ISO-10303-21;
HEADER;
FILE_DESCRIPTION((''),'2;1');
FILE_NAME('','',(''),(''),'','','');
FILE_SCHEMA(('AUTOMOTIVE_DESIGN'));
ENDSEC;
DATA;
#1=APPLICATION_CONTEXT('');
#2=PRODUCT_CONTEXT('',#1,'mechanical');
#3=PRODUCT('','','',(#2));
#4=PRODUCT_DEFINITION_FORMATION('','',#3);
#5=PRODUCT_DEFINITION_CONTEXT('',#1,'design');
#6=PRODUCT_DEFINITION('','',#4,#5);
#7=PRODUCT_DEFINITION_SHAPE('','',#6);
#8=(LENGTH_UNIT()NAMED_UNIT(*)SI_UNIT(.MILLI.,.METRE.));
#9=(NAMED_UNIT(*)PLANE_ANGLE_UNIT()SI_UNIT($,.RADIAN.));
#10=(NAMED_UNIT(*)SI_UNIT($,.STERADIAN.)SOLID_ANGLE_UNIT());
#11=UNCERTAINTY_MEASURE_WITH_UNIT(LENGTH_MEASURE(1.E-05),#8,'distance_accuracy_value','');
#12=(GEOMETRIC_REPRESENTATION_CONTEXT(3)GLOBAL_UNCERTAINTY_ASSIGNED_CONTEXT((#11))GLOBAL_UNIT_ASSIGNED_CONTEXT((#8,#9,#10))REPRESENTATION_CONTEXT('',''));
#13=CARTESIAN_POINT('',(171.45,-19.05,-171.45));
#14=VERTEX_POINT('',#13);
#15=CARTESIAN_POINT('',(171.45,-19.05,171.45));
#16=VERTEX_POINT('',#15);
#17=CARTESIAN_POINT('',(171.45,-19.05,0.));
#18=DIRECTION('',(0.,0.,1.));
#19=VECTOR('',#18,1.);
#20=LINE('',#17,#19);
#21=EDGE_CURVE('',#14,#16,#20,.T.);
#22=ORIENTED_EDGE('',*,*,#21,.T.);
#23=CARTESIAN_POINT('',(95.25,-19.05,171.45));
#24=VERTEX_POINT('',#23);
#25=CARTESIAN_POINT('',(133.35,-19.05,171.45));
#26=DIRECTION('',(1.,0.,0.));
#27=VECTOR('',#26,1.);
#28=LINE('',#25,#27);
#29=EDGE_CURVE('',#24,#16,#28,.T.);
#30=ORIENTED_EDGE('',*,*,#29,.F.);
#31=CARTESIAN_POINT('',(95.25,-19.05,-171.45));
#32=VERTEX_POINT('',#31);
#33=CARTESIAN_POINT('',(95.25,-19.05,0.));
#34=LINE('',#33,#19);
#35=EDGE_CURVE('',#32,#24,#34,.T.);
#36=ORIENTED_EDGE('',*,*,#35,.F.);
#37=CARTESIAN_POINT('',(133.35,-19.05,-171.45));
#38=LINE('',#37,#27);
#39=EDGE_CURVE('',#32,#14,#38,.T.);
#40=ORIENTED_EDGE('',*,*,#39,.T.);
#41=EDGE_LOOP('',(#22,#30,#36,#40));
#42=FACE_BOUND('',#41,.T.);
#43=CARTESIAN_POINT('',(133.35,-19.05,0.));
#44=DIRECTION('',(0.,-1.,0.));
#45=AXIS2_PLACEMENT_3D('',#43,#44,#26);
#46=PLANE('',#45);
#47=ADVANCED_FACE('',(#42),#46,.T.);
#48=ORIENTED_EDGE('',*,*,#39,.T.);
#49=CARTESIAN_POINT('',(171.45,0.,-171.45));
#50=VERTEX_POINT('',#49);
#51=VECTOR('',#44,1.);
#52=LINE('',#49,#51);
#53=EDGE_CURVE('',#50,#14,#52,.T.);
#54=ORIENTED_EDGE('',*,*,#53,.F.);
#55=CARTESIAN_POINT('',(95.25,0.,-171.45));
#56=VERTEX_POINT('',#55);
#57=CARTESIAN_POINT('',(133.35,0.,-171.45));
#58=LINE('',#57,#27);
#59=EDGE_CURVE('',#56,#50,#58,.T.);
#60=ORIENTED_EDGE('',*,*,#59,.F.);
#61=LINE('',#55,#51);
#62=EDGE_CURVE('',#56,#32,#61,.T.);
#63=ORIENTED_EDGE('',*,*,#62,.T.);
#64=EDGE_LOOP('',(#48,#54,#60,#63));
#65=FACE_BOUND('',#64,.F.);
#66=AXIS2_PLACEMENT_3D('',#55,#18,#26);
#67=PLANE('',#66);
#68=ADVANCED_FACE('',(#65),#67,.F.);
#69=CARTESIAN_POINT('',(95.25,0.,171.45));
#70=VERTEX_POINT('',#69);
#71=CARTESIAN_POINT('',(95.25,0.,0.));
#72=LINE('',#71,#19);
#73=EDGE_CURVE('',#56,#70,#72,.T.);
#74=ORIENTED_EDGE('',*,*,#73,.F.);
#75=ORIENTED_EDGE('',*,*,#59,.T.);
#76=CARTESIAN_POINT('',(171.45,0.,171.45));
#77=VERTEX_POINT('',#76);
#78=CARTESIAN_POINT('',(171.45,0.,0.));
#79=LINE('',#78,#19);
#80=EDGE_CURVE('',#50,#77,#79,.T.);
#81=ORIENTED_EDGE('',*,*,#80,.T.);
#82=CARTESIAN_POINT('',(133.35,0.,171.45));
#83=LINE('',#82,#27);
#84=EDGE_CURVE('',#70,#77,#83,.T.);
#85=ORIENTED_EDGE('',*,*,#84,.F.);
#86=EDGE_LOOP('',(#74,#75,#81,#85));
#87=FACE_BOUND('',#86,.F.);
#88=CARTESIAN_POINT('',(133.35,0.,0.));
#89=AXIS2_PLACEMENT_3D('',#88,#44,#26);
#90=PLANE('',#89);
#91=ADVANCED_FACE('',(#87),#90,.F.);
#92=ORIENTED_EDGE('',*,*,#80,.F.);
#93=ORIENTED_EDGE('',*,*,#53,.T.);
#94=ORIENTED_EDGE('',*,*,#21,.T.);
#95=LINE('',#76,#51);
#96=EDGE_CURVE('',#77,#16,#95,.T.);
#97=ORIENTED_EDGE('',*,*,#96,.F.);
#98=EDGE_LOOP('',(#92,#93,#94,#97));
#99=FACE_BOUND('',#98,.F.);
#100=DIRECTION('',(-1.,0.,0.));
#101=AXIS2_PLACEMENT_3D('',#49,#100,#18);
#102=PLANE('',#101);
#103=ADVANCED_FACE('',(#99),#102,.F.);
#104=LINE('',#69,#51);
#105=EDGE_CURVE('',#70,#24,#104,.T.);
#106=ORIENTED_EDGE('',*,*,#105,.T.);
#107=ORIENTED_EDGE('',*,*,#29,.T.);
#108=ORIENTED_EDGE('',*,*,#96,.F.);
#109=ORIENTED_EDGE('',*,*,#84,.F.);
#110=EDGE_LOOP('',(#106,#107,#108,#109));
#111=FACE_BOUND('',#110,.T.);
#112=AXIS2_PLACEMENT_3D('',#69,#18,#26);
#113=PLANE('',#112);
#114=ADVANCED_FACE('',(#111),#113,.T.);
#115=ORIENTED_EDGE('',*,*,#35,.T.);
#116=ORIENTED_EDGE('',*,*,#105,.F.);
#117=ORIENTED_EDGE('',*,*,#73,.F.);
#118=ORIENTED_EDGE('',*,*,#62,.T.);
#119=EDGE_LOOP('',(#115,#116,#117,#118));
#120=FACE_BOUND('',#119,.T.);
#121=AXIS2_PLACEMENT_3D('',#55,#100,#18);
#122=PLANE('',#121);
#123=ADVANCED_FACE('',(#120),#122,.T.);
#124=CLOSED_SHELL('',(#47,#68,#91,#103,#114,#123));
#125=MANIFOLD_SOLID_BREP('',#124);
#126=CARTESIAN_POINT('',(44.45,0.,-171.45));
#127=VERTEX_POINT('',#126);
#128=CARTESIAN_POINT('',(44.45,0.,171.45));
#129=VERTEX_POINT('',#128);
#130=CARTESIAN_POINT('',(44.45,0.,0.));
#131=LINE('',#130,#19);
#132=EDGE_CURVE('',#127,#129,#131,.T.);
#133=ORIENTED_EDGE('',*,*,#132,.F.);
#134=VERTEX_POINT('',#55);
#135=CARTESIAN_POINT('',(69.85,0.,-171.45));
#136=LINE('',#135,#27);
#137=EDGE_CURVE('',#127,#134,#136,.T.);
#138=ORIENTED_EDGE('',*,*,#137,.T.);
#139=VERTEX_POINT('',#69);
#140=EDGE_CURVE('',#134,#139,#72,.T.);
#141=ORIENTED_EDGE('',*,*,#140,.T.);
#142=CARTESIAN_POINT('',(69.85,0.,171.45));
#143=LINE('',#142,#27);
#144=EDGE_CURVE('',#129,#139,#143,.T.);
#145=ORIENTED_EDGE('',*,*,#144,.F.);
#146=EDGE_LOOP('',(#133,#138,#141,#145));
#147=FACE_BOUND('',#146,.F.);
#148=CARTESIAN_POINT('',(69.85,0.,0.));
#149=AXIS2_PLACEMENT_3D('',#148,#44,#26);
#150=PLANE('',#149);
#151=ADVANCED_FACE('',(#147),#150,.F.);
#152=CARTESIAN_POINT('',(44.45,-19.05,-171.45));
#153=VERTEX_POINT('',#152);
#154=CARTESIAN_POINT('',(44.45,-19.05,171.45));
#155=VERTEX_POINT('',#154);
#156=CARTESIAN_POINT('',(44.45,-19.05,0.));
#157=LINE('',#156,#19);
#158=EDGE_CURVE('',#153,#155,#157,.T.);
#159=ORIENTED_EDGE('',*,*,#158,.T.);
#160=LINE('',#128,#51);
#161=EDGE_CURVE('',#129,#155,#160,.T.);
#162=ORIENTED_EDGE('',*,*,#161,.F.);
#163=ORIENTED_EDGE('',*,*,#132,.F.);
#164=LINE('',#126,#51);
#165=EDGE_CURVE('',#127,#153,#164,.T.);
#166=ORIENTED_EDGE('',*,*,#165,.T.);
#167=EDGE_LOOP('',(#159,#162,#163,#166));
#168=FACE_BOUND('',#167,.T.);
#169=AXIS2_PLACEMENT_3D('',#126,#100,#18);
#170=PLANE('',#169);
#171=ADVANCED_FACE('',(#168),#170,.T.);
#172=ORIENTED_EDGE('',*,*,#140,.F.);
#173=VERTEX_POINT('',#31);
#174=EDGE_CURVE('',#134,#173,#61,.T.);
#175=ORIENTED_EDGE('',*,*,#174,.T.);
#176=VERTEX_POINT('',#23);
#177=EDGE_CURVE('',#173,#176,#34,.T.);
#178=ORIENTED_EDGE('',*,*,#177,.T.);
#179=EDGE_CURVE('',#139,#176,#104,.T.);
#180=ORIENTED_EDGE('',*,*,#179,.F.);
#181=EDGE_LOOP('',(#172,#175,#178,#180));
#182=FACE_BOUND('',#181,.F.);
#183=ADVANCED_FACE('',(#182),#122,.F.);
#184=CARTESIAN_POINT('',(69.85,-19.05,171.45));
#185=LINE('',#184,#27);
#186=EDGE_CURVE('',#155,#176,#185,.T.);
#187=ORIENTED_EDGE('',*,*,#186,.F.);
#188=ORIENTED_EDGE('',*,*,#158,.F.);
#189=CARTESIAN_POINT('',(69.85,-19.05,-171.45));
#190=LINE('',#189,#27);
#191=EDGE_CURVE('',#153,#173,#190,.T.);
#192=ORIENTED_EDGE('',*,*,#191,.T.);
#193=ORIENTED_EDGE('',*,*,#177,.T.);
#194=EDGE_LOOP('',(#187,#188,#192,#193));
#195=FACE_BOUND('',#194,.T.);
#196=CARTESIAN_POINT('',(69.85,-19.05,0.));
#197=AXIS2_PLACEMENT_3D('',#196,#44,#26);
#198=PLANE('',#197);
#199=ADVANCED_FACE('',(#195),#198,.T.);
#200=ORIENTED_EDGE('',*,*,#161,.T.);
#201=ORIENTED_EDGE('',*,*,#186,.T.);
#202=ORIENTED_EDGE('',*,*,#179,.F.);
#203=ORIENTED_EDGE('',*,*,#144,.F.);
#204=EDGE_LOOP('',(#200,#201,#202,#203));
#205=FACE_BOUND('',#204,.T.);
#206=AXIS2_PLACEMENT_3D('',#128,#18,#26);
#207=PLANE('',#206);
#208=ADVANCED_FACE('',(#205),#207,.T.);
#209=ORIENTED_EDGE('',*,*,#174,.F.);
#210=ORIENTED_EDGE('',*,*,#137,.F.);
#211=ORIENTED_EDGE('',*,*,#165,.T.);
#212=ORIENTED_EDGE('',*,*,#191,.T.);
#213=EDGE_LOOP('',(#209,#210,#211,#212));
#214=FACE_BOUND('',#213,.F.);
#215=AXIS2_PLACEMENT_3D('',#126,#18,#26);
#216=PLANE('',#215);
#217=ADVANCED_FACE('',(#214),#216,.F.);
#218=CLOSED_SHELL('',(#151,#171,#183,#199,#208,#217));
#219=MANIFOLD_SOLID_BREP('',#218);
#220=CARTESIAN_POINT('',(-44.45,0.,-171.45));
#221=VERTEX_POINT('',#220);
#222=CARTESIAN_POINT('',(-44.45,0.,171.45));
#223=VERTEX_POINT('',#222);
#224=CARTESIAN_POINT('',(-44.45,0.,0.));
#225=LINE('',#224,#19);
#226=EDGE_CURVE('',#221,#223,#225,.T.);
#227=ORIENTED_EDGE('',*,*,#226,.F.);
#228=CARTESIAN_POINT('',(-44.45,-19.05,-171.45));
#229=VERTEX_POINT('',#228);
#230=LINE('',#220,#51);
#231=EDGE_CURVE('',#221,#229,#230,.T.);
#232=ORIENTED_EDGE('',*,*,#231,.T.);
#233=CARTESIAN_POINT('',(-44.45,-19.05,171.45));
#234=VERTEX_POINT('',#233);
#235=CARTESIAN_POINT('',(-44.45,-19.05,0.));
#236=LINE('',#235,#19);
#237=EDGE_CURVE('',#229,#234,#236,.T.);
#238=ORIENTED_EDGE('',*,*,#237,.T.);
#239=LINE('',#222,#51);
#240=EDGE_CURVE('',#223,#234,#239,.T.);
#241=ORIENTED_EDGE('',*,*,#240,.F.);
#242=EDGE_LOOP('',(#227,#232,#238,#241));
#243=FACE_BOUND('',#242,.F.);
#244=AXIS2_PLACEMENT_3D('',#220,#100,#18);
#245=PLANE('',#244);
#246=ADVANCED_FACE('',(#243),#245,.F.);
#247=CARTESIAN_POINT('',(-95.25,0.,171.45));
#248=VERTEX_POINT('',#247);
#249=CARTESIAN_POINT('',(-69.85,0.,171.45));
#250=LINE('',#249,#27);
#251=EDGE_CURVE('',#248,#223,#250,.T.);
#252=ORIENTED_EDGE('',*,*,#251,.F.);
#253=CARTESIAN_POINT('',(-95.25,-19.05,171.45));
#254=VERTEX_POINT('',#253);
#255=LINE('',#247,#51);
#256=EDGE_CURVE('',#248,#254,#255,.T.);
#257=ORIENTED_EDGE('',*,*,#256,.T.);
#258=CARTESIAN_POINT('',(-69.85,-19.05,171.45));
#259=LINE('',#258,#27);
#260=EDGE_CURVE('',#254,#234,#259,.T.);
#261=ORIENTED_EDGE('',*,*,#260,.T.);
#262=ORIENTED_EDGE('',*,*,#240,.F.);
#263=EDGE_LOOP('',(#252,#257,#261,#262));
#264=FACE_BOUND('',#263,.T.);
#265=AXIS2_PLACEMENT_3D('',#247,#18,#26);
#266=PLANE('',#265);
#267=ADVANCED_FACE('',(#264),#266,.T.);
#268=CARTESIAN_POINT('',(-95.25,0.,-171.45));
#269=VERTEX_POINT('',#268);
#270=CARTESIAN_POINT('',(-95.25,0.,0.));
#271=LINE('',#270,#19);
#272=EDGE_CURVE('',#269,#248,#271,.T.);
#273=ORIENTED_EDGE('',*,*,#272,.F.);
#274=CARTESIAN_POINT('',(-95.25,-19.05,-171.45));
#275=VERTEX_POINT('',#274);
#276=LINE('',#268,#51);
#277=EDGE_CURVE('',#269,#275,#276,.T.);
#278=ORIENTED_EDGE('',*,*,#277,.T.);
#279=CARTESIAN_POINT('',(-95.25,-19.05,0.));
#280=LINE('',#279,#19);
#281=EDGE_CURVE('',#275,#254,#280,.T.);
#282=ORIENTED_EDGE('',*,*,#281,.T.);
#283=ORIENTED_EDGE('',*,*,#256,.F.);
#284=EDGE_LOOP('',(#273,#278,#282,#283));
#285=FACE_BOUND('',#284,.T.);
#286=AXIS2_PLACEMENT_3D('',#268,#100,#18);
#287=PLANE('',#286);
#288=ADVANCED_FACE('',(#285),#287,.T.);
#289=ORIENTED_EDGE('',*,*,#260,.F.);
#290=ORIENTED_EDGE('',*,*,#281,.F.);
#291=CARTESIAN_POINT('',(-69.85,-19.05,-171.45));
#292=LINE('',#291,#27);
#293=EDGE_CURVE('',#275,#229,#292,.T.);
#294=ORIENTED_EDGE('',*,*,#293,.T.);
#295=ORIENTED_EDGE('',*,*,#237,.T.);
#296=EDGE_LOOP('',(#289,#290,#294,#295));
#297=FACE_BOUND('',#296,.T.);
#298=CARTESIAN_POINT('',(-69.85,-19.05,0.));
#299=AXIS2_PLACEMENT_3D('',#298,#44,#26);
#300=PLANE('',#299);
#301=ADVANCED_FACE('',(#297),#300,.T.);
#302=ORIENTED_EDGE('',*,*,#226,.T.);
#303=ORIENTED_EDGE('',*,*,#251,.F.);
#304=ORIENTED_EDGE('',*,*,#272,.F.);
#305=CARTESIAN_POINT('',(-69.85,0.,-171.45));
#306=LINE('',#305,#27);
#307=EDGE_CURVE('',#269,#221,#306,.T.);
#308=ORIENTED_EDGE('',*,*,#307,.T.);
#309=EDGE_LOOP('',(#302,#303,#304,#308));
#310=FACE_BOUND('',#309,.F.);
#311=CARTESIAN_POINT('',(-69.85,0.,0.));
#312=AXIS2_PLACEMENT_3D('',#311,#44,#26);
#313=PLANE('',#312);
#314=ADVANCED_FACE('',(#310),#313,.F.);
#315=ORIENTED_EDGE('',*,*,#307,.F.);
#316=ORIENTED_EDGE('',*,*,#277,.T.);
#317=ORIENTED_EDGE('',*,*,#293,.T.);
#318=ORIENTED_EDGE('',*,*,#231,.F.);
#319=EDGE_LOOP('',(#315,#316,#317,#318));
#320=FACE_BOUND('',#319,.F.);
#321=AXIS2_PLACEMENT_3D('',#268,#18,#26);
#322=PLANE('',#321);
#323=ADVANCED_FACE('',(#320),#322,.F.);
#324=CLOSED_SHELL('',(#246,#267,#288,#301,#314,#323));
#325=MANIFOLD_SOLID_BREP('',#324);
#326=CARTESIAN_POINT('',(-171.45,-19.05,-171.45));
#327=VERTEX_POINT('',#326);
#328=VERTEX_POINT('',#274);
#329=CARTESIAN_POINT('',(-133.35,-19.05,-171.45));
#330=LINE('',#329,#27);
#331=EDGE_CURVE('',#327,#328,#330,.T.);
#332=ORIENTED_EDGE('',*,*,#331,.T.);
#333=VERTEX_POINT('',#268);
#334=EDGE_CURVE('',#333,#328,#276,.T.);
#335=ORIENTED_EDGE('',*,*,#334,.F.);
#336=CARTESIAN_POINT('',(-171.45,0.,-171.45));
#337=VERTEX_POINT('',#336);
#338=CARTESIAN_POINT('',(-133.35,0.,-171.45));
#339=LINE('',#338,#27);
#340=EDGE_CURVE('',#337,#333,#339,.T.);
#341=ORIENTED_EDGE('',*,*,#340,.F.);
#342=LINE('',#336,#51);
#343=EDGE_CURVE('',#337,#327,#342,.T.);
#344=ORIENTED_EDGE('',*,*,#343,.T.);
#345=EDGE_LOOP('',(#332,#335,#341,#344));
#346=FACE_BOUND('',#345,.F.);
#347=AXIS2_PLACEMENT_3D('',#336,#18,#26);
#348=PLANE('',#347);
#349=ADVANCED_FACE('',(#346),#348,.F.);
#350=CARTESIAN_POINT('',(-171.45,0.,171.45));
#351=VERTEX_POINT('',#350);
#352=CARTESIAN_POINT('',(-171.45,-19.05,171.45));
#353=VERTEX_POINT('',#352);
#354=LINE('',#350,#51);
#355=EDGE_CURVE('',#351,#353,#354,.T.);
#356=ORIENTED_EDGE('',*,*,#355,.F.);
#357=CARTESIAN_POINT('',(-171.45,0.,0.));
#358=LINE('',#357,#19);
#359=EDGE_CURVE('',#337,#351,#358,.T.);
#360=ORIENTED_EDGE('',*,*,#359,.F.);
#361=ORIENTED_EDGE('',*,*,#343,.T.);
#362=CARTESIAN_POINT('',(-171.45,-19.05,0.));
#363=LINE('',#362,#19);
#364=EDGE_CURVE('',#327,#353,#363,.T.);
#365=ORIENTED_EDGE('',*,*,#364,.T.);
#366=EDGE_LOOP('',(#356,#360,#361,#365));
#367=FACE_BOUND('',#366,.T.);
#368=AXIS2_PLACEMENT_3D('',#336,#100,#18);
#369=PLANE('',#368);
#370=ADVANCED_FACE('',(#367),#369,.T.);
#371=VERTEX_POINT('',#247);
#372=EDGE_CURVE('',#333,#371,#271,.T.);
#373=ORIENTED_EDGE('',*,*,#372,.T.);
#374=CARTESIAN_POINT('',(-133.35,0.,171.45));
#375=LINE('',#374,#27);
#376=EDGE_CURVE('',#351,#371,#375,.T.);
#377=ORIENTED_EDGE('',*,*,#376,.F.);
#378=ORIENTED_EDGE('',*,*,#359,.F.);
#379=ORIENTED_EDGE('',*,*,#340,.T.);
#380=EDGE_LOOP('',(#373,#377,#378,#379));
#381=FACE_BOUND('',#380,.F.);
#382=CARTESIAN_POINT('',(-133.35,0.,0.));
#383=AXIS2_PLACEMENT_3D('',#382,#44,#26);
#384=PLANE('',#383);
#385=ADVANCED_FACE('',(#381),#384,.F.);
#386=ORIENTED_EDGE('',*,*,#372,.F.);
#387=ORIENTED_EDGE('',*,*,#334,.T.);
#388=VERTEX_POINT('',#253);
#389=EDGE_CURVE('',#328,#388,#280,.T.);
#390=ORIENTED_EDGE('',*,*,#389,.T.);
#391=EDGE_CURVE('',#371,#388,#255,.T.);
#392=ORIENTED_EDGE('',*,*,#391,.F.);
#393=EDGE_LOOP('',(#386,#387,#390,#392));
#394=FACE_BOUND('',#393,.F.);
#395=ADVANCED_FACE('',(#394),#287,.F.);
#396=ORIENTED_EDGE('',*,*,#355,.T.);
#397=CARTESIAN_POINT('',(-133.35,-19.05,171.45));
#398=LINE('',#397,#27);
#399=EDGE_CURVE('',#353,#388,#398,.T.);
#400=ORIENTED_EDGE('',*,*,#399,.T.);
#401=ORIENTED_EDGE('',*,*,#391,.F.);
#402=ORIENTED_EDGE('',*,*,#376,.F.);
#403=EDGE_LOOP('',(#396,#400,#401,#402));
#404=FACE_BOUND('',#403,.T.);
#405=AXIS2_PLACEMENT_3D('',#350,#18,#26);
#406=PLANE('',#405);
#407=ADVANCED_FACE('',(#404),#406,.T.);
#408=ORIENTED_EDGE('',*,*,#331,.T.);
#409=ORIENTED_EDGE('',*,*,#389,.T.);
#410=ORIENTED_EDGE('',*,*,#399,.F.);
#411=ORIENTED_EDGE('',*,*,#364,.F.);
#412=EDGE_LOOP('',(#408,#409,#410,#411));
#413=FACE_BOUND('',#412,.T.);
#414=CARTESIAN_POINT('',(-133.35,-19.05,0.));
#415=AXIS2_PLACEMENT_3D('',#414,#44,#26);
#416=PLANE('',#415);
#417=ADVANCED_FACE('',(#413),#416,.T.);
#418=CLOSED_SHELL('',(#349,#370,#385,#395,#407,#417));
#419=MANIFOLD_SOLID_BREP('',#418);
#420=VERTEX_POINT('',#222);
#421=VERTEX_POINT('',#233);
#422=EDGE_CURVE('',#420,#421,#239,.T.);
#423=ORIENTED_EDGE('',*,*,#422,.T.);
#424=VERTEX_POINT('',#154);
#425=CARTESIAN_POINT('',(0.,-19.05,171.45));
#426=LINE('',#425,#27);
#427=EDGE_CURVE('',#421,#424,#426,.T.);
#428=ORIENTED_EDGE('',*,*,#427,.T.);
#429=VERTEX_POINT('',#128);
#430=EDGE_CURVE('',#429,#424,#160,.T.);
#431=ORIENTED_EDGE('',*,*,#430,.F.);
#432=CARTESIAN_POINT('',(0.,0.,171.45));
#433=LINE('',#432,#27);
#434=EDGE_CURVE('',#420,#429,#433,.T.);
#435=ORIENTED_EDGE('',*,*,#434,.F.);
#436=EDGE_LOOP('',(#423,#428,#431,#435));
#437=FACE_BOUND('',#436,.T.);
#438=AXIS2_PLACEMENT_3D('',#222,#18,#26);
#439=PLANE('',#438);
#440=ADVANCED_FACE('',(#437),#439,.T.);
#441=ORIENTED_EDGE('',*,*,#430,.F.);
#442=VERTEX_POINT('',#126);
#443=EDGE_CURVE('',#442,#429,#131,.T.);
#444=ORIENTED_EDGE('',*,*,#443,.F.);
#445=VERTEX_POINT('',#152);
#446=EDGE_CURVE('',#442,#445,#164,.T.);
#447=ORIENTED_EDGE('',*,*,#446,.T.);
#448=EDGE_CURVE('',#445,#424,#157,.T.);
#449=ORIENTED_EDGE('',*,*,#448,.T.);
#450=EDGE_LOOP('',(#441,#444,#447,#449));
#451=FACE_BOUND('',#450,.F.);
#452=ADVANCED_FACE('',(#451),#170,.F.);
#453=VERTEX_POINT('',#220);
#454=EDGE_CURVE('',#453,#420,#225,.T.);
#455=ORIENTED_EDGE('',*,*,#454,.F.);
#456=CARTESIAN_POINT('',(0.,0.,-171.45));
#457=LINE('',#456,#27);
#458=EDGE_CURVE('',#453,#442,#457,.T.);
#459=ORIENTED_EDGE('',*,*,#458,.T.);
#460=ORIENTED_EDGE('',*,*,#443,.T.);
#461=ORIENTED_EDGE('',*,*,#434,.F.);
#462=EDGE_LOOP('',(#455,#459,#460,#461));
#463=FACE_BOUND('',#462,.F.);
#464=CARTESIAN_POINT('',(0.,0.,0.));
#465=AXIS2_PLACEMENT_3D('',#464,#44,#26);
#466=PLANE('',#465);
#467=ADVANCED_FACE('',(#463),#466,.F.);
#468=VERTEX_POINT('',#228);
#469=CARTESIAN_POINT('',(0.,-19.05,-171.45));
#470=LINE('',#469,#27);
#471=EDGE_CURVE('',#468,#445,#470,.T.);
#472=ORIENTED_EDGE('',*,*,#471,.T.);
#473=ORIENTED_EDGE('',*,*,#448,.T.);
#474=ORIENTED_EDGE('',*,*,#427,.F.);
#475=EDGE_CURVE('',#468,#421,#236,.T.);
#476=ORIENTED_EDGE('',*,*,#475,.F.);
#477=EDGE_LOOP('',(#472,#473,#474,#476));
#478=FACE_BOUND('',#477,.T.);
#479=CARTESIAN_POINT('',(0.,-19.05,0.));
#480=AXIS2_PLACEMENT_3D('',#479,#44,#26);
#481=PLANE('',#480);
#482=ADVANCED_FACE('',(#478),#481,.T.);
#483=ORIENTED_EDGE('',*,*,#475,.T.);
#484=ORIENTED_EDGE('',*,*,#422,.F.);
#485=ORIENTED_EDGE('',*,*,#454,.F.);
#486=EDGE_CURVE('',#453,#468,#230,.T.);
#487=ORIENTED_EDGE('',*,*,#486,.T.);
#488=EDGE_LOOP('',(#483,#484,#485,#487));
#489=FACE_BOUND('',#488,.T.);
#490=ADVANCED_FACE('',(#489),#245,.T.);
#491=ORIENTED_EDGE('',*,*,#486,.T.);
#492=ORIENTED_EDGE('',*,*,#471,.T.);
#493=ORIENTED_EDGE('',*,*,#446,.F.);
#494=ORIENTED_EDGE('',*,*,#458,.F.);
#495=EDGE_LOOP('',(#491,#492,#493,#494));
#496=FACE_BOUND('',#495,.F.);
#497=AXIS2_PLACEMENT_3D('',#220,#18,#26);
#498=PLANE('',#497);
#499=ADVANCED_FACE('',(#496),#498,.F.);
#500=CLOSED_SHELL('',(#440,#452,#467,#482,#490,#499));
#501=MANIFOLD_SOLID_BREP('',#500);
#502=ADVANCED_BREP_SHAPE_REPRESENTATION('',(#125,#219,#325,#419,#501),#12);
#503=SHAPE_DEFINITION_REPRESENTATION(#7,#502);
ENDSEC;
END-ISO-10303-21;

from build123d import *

# Parameters (mm, degrees)
F1_W     = 76.2
F1_H     = 342.9
F2_DEPTH = 19.05
F1_W_2   = 50.8
F3_DEPTH = 19.05
F1_W_3   = 88.9
F4_DEPTH = 19.05


with BuildPart() as f2:
    # F1 (on Front) → F2 (new body)
    with BuildSketch(Plane.XZ):
        with Locations((133.35, 0)):
            Rectangle(F1_W, F1_H)
        with Locations((-133.35, 0)):
            Rectangle(F1_W, F1_H)
    extrude(amount=F2_DEPTH)


with BuildPart() as f3:
    # F1 (on Front) → F3 (new body)
    with BuildSketch(Plane.XZ):
        with Locations((-69.85, 0)):
            Rectangle(F1_W_2, F1_H)
        with Locations((69.85, 0)):
            Rectangle(F1_W_2, F1_H)
    extrude(amount=F3_DEPTH)


with BuildPart() as f4:
    # F1 (on Front) → F4 (new body)
    with BuildSketch(Plane.XZ):
        Rectangle(F1_W_3, F1_H)
    extrude(amount=F4_DEPTH)


solid = Compound([f2.part, f3.part, f4.part])
